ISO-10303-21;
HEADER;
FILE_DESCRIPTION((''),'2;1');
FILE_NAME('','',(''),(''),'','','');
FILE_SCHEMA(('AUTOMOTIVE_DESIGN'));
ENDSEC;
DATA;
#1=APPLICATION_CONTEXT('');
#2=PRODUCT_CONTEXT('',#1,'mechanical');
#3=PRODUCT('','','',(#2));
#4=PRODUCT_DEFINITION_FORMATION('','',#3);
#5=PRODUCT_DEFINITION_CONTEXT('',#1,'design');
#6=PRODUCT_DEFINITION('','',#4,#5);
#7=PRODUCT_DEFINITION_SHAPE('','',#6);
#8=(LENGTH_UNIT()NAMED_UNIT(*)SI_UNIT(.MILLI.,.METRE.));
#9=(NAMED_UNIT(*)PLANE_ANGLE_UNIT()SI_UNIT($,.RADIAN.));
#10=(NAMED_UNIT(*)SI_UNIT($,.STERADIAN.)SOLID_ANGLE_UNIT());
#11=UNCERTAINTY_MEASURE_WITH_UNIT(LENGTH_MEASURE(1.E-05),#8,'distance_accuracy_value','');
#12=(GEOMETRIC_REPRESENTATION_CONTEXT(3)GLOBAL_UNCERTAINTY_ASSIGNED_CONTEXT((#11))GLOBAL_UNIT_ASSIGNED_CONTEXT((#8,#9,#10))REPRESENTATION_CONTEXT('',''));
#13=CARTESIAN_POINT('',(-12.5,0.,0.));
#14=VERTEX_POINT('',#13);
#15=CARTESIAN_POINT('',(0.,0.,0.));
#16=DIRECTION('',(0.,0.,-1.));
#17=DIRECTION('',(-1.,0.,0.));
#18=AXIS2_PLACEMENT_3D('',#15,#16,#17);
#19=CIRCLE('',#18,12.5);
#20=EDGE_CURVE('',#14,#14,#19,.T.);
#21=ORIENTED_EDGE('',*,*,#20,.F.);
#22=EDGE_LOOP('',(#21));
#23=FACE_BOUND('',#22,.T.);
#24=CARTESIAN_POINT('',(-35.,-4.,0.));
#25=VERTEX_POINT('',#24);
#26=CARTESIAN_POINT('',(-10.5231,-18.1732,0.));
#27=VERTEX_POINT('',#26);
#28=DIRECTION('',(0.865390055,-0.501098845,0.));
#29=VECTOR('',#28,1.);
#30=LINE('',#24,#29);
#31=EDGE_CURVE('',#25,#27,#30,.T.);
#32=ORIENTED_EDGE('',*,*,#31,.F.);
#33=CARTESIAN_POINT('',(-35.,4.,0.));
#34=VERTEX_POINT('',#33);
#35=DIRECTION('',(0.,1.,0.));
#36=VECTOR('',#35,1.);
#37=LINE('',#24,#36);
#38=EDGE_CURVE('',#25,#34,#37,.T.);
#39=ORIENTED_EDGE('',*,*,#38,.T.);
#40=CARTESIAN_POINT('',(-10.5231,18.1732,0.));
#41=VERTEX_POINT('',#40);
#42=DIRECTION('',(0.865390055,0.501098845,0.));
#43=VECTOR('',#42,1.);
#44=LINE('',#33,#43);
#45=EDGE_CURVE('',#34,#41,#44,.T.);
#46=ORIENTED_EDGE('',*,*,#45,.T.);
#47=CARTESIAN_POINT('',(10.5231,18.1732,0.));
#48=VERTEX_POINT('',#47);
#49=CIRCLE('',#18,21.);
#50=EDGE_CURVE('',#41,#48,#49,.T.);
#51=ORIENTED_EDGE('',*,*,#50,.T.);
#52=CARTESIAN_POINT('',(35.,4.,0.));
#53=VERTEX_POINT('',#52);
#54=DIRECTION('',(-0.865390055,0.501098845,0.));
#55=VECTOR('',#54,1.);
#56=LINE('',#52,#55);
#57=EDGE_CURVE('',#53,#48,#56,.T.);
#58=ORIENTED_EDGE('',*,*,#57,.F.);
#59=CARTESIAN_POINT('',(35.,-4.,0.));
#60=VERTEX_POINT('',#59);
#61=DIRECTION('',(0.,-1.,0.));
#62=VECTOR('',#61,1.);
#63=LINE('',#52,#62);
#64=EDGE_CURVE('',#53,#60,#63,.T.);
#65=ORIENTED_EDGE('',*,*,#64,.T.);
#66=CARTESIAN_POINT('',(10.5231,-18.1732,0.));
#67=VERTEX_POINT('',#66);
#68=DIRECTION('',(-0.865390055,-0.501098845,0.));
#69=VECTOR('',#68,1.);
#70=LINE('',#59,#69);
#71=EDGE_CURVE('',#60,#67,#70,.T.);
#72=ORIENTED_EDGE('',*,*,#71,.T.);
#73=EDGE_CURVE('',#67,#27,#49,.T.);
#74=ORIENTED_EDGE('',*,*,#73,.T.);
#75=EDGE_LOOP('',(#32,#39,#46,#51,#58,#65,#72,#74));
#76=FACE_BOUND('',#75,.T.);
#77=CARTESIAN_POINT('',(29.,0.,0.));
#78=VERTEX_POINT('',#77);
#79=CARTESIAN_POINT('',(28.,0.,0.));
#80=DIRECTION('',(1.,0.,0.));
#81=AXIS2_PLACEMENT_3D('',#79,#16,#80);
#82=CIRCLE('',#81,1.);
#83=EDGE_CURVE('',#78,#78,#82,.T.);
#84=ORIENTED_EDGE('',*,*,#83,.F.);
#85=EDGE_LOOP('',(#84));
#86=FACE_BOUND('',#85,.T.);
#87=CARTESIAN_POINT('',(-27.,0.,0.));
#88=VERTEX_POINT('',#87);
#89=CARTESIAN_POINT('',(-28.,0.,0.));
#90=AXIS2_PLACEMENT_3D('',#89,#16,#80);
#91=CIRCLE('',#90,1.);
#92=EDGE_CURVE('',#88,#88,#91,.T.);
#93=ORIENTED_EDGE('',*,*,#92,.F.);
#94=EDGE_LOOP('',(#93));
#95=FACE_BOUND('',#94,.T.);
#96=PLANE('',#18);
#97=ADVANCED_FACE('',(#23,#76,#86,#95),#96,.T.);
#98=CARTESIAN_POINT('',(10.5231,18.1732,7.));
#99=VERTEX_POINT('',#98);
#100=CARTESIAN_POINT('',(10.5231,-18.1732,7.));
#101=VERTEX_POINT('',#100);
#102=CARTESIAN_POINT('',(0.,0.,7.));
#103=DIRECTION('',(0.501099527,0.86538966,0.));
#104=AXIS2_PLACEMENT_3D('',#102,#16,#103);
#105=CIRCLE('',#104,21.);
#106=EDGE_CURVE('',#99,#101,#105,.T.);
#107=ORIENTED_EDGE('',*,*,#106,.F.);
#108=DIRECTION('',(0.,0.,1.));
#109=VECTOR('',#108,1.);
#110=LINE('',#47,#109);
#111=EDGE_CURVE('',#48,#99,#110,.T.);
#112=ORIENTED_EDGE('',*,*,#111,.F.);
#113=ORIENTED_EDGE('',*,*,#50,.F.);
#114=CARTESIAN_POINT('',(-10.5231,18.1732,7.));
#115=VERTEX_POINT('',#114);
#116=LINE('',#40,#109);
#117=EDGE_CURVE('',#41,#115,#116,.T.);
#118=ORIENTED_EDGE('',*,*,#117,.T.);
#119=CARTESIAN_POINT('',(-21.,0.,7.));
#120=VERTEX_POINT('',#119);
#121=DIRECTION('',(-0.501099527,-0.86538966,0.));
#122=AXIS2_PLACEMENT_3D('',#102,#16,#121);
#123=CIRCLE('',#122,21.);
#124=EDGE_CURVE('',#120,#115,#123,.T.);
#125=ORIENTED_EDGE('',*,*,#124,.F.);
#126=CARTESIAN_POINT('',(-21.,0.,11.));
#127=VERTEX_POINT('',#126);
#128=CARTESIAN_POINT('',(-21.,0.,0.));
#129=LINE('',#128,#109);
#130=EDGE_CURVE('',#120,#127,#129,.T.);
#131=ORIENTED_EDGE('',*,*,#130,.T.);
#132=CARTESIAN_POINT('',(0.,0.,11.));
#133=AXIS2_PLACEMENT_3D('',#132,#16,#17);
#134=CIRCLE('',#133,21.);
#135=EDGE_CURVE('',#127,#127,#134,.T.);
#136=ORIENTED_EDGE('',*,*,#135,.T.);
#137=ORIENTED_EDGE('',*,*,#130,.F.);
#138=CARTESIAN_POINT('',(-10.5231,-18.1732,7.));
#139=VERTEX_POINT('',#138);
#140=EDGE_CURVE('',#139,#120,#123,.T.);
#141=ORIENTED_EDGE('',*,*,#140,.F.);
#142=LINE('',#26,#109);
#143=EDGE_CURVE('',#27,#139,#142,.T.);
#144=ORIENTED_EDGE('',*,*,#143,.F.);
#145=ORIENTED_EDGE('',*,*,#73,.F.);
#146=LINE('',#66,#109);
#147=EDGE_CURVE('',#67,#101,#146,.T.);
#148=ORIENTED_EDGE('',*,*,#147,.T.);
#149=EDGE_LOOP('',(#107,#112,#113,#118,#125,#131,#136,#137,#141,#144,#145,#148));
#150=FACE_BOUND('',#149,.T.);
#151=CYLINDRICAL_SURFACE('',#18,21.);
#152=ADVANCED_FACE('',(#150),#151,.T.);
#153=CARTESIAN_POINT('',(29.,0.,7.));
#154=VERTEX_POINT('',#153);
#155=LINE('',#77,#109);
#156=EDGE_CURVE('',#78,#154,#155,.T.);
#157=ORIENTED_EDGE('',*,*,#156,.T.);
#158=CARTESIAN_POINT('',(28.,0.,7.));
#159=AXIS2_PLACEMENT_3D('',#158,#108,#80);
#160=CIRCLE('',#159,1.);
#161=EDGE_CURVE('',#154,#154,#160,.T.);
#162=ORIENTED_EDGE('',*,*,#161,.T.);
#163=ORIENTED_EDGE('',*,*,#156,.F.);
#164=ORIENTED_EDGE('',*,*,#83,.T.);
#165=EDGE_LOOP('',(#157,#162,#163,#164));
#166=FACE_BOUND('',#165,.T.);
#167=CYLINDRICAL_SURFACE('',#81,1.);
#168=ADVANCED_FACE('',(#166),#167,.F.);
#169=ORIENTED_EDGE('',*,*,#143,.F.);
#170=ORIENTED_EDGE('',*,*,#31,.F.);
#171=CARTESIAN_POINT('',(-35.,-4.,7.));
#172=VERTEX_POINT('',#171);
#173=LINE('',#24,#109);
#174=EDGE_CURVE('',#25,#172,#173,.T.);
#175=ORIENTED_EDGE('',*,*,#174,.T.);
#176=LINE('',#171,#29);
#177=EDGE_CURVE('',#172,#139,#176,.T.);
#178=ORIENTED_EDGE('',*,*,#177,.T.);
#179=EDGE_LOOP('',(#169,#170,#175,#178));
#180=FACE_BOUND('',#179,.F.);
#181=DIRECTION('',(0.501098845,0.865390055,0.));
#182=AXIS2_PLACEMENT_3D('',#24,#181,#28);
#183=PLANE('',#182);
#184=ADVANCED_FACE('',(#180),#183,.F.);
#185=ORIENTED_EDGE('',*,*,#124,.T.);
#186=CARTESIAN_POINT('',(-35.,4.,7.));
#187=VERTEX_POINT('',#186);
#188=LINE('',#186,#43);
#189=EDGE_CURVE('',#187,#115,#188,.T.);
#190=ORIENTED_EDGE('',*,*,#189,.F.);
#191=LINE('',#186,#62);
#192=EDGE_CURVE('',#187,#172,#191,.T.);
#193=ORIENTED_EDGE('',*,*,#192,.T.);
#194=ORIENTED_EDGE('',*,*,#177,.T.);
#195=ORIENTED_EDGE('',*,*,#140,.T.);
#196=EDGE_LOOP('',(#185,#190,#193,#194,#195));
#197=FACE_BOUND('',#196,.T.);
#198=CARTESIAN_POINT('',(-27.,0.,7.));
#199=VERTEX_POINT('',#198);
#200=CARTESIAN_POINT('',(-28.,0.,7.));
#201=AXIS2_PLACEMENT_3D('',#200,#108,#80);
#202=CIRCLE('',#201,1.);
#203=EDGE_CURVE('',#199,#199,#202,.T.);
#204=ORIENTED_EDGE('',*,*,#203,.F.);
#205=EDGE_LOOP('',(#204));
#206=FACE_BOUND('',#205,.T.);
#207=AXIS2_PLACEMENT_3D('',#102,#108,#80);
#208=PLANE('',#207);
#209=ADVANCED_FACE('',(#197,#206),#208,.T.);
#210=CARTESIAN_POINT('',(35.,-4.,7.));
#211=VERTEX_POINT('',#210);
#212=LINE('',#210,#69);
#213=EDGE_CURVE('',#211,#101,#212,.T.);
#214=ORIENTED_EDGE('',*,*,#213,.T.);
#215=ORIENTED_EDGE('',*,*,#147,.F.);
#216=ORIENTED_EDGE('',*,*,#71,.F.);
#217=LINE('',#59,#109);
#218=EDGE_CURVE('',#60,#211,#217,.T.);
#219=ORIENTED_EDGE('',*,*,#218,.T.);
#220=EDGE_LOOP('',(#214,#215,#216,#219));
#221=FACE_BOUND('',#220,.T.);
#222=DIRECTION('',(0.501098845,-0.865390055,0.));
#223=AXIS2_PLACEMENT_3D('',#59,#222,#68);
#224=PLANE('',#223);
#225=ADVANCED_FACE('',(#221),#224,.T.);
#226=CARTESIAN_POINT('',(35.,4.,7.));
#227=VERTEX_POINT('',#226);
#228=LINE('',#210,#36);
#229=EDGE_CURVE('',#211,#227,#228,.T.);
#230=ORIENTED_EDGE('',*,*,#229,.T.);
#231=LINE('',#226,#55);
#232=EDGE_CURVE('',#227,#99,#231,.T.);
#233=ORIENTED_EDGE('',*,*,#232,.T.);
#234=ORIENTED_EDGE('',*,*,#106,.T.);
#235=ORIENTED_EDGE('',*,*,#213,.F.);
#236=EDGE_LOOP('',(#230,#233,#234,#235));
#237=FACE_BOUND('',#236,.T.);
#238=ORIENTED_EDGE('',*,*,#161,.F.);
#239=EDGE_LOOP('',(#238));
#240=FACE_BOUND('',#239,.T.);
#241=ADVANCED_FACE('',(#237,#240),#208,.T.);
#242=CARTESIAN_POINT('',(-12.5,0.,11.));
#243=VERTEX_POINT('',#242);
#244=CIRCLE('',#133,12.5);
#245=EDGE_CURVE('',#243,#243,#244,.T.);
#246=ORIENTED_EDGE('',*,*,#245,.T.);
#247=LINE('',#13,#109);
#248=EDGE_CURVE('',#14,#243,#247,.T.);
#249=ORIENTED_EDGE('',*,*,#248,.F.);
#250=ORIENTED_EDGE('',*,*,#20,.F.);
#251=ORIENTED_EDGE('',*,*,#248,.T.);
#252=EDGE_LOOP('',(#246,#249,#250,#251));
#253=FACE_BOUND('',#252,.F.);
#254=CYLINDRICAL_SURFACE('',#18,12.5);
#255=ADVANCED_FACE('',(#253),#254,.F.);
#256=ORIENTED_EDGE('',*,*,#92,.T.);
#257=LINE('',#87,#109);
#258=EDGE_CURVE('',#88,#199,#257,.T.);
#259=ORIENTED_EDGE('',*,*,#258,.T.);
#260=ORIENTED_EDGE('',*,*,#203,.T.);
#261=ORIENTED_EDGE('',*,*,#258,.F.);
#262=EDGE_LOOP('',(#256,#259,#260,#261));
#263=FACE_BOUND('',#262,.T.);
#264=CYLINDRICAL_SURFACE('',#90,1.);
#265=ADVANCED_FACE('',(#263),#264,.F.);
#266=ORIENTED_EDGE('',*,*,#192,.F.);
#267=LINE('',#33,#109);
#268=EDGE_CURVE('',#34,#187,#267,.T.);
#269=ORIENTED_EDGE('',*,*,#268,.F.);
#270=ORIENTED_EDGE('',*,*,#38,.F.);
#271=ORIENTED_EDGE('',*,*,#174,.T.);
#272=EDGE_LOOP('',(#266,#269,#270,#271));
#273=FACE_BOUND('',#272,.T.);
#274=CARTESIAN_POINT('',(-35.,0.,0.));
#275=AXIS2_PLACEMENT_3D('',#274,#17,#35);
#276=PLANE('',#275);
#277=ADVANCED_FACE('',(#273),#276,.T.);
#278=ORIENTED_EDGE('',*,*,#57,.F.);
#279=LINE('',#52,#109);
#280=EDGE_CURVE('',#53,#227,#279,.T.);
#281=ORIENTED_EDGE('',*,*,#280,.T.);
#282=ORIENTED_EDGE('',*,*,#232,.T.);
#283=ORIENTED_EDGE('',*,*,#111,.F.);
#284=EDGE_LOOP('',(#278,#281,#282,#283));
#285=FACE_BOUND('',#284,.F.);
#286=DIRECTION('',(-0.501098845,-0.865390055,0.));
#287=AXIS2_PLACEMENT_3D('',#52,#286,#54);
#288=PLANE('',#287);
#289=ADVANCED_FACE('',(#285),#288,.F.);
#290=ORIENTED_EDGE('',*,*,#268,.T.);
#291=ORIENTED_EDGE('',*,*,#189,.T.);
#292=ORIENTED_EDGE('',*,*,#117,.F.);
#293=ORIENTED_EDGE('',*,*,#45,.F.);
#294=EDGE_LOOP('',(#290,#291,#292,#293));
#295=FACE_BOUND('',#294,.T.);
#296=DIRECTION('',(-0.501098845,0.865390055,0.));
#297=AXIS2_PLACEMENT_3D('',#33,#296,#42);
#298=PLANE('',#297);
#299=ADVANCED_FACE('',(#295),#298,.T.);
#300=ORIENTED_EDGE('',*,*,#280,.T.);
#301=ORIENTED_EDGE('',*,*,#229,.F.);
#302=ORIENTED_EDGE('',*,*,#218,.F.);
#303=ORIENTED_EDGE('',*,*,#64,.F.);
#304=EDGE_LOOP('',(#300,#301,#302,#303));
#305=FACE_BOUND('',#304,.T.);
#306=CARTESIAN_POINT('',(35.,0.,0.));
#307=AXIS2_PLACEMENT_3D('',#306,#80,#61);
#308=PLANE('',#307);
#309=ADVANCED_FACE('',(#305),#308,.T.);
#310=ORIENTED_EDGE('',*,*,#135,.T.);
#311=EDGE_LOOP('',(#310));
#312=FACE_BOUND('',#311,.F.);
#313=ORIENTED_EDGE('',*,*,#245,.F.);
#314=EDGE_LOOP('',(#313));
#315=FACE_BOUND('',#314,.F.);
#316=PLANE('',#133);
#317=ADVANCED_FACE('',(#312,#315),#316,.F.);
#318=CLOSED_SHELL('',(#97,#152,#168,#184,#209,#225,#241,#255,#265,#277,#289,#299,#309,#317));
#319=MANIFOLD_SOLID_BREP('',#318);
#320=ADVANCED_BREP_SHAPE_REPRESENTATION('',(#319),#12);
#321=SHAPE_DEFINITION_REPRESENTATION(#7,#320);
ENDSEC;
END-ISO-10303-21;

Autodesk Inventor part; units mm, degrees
ref_plane "YZ Plane" through (0, 0, 0) normal (1, 0, 0) x (0, 1, 0)
ref_plane "XZ Plane" through (0, 0, 0) normal (0, 1, 0) x (-1, 0, 0)
ref_plane "XY Plane" through (0, 0, 0) normal (0, 0, 1) x (1, 0, 0)
sketch "Sketch1" plane through (0, 0, 0) normal (0, 0, 1) x (1, 0, 0)
  circle A0 centre (0, 0) radius 12.5
  circle A1 centre (0, 0) radius 21
  line L0 (0, 0) -> (-28, 0)
  line L1 (0, 0) -> (28, 0)
  circle A2 centre (-28, 0) radius 1
  circle A3 centre (28, 0) radius 1
  line L2 (0, 0) -> (-35, 0)
  line L3 (0, 0) -> (35, 0)
  line L4 (-35, -4) -> (-35, 4)
  line L5 (35, 4) -> (35, -4)
  line L6 (-35, 4) -> (-10.5231, 18.1732)
  line L7 (-35, -4) -> (-10.5231, -18.1732)
  line L8 (35, 4) -> (10.5231, 18.1732)
  line L9 (35, -4) -> (10.5231, -18.1732)
  dimension "d0" = 25
  dimension "d1" = 42
  dimension "d2" = 28
  dimension "d3" = 28
  dimension "d4" = 2
  dimension "d5" = 2
  dimension "d6" = 35
  dimension "d7" = 35
  dimension "d8" = 8
  dimension "d9" = 4
  dimension "d10" = 8
  dimension "d11" = 4
extrude "Extrusion1" add sketch "Sketch1" along normal blind 7 contours L1 A3 L3 L5 L9 A1 | A1 L8 L5 L3 A3 L1 | L0 A2 L2 L4 L6 A1 | A1 L7 L4 L2 A2 L0
sketch "Sketch2" plane through (0, 0, 0) normal (0, 0, -1) x (-1, 0, 0)
  circle A0 centre (0, 0) radius 21
  circle A1 centre (0, 0) radius 12.5
  dimension "d14" = 25
extrude "Extrusion2" add sketch "Sketch2" against normal blind 11
equation "\"d9\" = 0.5 * d8"
equation "\"d11\" = 0.5 * d10"
properties part number "PneumaticHolder"
